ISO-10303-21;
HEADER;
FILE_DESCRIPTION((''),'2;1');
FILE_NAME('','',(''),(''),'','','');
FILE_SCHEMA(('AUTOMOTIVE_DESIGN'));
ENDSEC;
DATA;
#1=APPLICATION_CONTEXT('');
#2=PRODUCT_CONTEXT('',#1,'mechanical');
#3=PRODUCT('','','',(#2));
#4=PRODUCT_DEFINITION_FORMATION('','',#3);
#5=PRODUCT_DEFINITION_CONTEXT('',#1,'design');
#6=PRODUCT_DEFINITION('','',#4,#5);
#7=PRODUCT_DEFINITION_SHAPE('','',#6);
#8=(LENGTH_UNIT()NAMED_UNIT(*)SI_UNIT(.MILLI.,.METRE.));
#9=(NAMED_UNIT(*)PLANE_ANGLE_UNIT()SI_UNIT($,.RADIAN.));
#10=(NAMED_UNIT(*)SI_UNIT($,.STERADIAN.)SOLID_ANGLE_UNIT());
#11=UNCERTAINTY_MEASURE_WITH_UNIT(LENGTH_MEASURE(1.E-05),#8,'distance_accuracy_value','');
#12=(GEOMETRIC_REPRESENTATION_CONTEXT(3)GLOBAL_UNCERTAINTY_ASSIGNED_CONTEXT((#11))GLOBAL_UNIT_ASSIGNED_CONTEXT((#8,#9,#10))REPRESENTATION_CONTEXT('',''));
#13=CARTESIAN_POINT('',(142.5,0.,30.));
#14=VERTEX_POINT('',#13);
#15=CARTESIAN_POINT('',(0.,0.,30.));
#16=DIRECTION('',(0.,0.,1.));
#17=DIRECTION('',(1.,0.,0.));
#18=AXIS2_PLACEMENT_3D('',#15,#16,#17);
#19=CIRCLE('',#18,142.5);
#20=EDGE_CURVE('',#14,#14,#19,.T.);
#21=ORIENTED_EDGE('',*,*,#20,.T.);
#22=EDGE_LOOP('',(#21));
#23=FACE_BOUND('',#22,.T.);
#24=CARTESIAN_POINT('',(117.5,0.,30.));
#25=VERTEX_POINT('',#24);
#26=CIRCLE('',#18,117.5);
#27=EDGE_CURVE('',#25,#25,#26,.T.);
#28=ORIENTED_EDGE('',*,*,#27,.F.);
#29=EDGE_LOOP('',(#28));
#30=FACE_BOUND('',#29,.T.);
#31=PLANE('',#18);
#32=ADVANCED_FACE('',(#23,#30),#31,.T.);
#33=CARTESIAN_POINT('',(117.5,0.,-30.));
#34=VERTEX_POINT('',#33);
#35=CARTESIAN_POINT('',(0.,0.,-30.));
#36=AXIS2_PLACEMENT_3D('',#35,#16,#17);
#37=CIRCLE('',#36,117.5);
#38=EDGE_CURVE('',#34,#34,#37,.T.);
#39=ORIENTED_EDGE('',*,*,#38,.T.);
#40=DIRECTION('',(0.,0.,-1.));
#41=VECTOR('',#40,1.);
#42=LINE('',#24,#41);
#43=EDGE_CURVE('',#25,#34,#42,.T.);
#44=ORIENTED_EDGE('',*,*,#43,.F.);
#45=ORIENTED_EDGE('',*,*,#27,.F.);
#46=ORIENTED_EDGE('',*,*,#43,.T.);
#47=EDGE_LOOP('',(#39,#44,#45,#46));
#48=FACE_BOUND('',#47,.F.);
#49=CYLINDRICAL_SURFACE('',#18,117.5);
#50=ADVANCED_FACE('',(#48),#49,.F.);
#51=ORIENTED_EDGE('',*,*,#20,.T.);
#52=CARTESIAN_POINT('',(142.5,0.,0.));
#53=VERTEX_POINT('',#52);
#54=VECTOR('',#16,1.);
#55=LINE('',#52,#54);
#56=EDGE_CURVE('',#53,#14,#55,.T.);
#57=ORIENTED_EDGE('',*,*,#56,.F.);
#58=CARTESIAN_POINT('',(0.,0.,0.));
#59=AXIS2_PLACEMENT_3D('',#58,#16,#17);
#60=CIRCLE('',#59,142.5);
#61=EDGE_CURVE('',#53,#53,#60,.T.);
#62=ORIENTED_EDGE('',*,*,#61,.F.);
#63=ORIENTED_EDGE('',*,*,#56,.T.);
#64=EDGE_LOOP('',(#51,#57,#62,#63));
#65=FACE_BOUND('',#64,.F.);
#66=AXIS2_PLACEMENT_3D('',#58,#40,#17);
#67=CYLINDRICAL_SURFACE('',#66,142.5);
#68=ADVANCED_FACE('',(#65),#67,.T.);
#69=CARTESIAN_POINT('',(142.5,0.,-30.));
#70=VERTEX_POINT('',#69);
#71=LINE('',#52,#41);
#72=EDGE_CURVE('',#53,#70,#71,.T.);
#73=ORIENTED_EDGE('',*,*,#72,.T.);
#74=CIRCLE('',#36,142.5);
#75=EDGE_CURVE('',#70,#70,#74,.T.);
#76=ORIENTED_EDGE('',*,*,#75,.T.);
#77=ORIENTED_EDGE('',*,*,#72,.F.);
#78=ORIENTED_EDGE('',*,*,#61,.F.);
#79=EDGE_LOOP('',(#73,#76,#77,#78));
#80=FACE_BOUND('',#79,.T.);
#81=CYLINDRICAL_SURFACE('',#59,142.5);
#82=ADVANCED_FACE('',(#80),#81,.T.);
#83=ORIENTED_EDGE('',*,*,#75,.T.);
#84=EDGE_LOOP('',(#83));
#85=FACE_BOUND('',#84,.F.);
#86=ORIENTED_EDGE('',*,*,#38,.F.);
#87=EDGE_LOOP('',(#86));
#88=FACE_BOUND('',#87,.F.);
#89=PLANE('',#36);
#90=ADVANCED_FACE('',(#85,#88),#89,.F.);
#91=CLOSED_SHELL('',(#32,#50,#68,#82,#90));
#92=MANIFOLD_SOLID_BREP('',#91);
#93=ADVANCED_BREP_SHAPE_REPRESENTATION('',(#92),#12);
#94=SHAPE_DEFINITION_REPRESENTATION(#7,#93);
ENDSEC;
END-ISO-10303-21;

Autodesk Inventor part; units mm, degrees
ref_plane "YZ Plane" through (0, 0, 0) normal (1, 0, 0) x (0, 1, 0)
ref_plane "XZ Plane" through (0, 0, 0) normal (0, 1, 0) x (-1, 0, 0)
ref_plane "XY Plane" through (0, 0, 0) normal (0, 0, 1) x (1, 0, 0)
sketch "Sketch1" plane through (0, 0, 0) normal (0, 0, 1) x (1, 0, 0)
  circle A0 centre (0, 0) radius 142.5
  dimension "d0" = 285
extrude "Extrusion1" add sketch "Sketch1" along normal mid plane 60
sketch "Sketch2" plane through (0, 0, 30) normal (0, 0, 1) x (1, 0, 0)
  circle A0 centre (0, 0) radius 117.5
  dimension "d3" = 235
extrude "Extrusion2" cut sketch "Sketch2" against normal through all
properties part number "AGBL07-1"
